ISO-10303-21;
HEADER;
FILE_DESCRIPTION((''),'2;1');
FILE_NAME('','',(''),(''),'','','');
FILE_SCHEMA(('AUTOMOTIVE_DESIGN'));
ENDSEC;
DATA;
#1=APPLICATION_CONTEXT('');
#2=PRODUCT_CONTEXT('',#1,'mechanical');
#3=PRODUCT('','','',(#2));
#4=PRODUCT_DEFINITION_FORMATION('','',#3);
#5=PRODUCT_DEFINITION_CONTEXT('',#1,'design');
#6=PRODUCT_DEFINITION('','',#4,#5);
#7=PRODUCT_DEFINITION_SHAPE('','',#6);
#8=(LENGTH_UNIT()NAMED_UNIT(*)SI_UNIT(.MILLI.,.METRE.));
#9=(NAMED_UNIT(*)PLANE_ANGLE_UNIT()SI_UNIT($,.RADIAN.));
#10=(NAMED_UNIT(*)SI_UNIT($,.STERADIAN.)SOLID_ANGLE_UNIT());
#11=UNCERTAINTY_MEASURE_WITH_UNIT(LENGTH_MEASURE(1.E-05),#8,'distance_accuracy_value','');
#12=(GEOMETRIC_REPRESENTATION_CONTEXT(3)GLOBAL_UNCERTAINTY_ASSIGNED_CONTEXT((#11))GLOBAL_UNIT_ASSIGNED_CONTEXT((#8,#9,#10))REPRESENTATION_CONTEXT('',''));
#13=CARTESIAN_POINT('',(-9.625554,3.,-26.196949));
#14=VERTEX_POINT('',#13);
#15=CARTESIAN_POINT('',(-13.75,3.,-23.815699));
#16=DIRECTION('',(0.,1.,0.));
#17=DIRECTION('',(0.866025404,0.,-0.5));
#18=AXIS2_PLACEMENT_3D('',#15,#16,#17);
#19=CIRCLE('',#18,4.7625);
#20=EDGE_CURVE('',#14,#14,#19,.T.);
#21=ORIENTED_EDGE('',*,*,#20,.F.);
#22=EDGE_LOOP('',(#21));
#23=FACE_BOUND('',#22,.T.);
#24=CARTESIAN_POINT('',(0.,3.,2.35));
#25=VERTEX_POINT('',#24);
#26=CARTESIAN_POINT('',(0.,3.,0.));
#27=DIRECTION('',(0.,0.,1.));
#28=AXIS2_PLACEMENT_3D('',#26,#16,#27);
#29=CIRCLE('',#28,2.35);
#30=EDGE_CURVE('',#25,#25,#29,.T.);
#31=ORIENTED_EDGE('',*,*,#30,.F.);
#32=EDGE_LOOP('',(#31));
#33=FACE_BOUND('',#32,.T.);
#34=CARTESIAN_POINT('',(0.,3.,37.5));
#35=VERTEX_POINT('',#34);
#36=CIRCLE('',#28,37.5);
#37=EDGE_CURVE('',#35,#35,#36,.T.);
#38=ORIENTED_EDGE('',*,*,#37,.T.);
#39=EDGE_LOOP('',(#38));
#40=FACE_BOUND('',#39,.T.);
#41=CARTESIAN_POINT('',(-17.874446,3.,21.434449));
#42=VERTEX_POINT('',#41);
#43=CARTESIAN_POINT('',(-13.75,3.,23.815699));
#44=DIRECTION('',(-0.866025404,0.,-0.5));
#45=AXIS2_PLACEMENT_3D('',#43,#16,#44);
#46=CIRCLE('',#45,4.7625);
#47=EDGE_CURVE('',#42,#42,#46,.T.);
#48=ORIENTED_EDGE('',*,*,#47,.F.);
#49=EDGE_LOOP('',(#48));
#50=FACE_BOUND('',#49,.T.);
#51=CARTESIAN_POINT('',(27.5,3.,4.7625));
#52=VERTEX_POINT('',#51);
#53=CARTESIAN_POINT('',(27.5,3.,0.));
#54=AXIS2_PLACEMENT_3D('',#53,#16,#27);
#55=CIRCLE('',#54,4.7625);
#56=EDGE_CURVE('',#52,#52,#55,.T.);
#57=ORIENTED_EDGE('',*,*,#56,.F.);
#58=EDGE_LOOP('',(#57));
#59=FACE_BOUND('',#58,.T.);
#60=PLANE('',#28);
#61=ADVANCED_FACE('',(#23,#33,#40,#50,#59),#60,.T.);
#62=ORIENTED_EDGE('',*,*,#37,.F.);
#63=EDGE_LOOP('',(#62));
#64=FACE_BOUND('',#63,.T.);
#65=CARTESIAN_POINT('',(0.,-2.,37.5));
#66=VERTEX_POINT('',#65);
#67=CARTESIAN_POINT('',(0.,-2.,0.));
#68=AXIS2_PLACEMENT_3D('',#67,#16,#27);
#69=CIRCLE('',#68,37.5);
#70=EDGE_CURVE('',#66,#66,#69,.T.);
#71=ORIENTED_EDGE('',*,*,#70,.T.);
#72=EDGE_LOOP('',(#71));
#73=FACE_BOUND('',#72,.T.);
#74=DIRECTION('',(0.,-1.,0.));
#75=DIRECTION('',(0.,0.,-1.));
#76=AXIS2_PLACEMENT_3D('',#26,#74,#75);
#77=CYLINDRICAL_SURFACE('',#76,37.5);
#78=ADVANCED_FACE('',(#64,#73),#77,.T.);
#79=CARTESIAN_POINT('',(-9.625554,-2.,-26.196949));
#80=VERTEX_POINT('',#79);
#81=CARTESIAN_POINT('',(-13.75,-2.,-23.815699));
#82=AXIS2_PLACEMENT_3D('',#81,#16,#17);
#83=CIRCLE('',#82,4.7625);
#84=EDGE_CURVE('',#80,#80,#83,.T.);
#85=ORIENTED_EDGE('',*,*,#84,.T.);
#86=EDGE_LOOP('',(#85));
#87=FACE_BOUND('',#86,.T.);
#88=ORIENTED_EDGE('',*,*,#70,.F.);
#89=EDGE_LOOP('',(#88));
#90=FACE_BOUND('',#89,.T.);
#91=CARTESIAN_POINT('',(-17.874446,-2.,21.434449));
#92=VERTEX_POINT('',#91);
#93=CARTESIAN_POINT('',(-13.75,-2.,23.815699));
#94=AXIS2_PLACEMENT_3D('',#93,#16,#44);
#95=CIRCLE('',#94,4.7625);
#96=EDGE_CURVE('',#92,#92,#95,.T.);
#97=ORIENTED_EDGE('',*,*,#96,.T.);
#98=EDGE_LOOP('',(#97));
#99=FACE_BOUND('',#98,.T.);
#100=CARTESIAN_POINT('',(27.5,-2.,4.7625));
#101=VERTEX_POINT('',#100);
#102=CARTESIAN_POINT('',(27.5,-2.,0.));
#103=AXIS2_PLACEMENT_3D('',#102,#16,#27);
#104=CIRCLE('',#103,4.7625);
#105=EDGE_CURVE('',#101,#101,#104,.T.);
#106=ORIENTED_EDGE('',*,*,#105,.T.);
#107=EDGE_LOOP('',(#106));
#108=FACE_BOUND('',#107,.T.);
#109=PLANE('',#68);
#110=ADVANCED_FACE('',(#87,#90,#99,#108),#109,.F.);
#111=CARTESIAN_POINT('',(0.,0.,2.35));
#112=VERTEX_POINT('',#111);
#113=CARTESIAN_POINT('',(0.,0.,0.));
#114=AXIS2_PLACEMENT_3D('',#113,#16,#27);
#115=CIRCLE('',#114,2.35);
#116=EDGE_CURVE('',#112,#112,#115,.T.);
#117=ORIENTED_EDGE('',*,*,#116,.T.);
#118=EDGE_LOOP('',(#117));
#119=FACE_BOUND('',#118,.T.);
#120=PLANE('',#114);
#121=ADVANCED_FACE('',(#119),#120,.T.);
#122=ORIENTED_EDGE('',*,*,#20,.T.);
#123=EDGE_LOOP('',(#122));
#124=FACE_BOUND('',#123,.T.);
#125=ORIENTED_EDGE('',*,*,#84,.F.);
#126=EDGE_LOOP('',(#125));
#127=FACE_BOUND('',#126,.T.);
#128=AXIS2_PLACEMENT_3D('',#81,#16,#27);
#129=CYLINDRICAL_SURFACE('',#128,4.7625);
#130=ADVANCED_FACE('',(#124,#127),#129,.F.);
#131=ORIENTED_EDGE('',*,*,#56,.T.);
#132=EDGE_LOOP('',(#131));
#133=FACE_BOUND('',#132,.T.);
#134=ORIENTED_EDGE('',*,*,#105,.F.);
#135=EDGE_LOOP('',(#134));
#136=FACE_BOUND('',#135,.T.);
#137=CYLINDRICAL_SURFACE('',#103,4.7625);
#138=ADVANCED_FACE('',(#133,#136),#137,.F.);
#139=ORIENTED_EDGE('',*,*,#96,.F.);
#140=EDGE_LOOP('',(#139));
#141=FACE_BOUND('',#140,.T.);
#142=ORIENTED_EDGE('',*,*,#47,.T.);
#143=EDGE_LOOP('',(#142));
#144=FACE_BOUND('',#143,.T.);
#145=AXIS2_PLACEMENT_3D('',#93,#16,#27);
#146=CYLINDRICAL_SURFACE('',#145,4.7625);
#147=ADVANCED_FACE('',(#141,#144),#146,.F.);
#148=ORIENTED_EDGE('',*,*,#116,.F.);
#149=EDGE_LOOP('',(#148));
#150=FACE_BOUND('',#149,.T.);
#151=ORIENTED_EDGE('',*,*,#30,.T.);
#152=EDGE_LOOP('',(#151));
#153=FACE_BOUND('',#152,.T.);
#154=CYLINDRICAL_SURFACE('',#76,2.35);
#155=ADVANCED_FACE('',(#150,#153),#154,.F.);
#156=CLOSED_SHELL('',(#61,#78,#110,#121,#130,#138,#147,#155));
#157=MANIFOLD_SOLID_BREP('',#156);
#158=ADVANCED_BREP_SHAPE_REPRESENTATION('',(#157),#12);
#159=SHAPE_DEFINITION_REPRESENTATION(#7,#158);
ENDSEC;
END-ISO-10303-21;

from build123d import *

# Parameters (mm, degrees)
SKETCH1_R           = 37.5
SKETCH1_R_2         = 2.35
BOSS_EXTRUDE1_DEPTH = 3
BOSS_EXTRUDE2_START = -2
SKETCH1_3_R         = 37.5
BOSS_EXTRUDE2_DEPTH = 2
SKETCH2_R           = 4.7625
CUT_EXTRUDE1_DEPTH  = 54.268189382
CIRPATTERN1_COUNT   = 3


with BuildPart() as part:
    # Sketch1 → Boss-Extrude1 (new body)
    with BuildSketch(Plane(origin=(0, 0, 0), x_dir=(1, 0, 0), z_dir=(0, 1, 0))):
        Circle(SKETCH1_R)
        Circle(SKETCH1_R_2, mode=Mode.SUBTRACT)
    extrude(amount=BOSS_EXTRUDE1_DEPTH)

    # Sketch1<3> → Boss-Extrude2 (add)
    with BuildSketch(Plane(origin=(0, 0, 0), x_dir=(1, 0, 0), z_dir=(0, 1, 0)).offset(BOSS_EXTRUDE2_START)):
        Circle(SKETCH1_3_R)
    extrude(amount=BOSS_EXTRUDE2_DEPTH)

    # Sketch2 → Cut-Extrude1 (cut, through all)
    with BuildSketch(Plane(origin=(0, 3, 0), x_dir=(1, 0, 0), z_dir=(0, 1, 0))):
        with Locations((27.5, 0)):
            Circle(SKETCH2_R)
    cut_extrude1 = extrude(amount=-CUT_EXTRUDE1_DEPTH, mode=Mode.SUBTRACT)

    # CirPattern1: Cut-Extrude1 ×3 about axis
    cirpattern1_axis = Axis((0, 3, 0), (0, 1, 0))
    for i in range(1, CIRPATTERN1_COUNT):
        add(cut_extrude1.rotate(cirpattern1_axis, i * 360 / CIRPATTERN1_COUNT), mode=Mode.SUBTRACT)


solid = part.part
